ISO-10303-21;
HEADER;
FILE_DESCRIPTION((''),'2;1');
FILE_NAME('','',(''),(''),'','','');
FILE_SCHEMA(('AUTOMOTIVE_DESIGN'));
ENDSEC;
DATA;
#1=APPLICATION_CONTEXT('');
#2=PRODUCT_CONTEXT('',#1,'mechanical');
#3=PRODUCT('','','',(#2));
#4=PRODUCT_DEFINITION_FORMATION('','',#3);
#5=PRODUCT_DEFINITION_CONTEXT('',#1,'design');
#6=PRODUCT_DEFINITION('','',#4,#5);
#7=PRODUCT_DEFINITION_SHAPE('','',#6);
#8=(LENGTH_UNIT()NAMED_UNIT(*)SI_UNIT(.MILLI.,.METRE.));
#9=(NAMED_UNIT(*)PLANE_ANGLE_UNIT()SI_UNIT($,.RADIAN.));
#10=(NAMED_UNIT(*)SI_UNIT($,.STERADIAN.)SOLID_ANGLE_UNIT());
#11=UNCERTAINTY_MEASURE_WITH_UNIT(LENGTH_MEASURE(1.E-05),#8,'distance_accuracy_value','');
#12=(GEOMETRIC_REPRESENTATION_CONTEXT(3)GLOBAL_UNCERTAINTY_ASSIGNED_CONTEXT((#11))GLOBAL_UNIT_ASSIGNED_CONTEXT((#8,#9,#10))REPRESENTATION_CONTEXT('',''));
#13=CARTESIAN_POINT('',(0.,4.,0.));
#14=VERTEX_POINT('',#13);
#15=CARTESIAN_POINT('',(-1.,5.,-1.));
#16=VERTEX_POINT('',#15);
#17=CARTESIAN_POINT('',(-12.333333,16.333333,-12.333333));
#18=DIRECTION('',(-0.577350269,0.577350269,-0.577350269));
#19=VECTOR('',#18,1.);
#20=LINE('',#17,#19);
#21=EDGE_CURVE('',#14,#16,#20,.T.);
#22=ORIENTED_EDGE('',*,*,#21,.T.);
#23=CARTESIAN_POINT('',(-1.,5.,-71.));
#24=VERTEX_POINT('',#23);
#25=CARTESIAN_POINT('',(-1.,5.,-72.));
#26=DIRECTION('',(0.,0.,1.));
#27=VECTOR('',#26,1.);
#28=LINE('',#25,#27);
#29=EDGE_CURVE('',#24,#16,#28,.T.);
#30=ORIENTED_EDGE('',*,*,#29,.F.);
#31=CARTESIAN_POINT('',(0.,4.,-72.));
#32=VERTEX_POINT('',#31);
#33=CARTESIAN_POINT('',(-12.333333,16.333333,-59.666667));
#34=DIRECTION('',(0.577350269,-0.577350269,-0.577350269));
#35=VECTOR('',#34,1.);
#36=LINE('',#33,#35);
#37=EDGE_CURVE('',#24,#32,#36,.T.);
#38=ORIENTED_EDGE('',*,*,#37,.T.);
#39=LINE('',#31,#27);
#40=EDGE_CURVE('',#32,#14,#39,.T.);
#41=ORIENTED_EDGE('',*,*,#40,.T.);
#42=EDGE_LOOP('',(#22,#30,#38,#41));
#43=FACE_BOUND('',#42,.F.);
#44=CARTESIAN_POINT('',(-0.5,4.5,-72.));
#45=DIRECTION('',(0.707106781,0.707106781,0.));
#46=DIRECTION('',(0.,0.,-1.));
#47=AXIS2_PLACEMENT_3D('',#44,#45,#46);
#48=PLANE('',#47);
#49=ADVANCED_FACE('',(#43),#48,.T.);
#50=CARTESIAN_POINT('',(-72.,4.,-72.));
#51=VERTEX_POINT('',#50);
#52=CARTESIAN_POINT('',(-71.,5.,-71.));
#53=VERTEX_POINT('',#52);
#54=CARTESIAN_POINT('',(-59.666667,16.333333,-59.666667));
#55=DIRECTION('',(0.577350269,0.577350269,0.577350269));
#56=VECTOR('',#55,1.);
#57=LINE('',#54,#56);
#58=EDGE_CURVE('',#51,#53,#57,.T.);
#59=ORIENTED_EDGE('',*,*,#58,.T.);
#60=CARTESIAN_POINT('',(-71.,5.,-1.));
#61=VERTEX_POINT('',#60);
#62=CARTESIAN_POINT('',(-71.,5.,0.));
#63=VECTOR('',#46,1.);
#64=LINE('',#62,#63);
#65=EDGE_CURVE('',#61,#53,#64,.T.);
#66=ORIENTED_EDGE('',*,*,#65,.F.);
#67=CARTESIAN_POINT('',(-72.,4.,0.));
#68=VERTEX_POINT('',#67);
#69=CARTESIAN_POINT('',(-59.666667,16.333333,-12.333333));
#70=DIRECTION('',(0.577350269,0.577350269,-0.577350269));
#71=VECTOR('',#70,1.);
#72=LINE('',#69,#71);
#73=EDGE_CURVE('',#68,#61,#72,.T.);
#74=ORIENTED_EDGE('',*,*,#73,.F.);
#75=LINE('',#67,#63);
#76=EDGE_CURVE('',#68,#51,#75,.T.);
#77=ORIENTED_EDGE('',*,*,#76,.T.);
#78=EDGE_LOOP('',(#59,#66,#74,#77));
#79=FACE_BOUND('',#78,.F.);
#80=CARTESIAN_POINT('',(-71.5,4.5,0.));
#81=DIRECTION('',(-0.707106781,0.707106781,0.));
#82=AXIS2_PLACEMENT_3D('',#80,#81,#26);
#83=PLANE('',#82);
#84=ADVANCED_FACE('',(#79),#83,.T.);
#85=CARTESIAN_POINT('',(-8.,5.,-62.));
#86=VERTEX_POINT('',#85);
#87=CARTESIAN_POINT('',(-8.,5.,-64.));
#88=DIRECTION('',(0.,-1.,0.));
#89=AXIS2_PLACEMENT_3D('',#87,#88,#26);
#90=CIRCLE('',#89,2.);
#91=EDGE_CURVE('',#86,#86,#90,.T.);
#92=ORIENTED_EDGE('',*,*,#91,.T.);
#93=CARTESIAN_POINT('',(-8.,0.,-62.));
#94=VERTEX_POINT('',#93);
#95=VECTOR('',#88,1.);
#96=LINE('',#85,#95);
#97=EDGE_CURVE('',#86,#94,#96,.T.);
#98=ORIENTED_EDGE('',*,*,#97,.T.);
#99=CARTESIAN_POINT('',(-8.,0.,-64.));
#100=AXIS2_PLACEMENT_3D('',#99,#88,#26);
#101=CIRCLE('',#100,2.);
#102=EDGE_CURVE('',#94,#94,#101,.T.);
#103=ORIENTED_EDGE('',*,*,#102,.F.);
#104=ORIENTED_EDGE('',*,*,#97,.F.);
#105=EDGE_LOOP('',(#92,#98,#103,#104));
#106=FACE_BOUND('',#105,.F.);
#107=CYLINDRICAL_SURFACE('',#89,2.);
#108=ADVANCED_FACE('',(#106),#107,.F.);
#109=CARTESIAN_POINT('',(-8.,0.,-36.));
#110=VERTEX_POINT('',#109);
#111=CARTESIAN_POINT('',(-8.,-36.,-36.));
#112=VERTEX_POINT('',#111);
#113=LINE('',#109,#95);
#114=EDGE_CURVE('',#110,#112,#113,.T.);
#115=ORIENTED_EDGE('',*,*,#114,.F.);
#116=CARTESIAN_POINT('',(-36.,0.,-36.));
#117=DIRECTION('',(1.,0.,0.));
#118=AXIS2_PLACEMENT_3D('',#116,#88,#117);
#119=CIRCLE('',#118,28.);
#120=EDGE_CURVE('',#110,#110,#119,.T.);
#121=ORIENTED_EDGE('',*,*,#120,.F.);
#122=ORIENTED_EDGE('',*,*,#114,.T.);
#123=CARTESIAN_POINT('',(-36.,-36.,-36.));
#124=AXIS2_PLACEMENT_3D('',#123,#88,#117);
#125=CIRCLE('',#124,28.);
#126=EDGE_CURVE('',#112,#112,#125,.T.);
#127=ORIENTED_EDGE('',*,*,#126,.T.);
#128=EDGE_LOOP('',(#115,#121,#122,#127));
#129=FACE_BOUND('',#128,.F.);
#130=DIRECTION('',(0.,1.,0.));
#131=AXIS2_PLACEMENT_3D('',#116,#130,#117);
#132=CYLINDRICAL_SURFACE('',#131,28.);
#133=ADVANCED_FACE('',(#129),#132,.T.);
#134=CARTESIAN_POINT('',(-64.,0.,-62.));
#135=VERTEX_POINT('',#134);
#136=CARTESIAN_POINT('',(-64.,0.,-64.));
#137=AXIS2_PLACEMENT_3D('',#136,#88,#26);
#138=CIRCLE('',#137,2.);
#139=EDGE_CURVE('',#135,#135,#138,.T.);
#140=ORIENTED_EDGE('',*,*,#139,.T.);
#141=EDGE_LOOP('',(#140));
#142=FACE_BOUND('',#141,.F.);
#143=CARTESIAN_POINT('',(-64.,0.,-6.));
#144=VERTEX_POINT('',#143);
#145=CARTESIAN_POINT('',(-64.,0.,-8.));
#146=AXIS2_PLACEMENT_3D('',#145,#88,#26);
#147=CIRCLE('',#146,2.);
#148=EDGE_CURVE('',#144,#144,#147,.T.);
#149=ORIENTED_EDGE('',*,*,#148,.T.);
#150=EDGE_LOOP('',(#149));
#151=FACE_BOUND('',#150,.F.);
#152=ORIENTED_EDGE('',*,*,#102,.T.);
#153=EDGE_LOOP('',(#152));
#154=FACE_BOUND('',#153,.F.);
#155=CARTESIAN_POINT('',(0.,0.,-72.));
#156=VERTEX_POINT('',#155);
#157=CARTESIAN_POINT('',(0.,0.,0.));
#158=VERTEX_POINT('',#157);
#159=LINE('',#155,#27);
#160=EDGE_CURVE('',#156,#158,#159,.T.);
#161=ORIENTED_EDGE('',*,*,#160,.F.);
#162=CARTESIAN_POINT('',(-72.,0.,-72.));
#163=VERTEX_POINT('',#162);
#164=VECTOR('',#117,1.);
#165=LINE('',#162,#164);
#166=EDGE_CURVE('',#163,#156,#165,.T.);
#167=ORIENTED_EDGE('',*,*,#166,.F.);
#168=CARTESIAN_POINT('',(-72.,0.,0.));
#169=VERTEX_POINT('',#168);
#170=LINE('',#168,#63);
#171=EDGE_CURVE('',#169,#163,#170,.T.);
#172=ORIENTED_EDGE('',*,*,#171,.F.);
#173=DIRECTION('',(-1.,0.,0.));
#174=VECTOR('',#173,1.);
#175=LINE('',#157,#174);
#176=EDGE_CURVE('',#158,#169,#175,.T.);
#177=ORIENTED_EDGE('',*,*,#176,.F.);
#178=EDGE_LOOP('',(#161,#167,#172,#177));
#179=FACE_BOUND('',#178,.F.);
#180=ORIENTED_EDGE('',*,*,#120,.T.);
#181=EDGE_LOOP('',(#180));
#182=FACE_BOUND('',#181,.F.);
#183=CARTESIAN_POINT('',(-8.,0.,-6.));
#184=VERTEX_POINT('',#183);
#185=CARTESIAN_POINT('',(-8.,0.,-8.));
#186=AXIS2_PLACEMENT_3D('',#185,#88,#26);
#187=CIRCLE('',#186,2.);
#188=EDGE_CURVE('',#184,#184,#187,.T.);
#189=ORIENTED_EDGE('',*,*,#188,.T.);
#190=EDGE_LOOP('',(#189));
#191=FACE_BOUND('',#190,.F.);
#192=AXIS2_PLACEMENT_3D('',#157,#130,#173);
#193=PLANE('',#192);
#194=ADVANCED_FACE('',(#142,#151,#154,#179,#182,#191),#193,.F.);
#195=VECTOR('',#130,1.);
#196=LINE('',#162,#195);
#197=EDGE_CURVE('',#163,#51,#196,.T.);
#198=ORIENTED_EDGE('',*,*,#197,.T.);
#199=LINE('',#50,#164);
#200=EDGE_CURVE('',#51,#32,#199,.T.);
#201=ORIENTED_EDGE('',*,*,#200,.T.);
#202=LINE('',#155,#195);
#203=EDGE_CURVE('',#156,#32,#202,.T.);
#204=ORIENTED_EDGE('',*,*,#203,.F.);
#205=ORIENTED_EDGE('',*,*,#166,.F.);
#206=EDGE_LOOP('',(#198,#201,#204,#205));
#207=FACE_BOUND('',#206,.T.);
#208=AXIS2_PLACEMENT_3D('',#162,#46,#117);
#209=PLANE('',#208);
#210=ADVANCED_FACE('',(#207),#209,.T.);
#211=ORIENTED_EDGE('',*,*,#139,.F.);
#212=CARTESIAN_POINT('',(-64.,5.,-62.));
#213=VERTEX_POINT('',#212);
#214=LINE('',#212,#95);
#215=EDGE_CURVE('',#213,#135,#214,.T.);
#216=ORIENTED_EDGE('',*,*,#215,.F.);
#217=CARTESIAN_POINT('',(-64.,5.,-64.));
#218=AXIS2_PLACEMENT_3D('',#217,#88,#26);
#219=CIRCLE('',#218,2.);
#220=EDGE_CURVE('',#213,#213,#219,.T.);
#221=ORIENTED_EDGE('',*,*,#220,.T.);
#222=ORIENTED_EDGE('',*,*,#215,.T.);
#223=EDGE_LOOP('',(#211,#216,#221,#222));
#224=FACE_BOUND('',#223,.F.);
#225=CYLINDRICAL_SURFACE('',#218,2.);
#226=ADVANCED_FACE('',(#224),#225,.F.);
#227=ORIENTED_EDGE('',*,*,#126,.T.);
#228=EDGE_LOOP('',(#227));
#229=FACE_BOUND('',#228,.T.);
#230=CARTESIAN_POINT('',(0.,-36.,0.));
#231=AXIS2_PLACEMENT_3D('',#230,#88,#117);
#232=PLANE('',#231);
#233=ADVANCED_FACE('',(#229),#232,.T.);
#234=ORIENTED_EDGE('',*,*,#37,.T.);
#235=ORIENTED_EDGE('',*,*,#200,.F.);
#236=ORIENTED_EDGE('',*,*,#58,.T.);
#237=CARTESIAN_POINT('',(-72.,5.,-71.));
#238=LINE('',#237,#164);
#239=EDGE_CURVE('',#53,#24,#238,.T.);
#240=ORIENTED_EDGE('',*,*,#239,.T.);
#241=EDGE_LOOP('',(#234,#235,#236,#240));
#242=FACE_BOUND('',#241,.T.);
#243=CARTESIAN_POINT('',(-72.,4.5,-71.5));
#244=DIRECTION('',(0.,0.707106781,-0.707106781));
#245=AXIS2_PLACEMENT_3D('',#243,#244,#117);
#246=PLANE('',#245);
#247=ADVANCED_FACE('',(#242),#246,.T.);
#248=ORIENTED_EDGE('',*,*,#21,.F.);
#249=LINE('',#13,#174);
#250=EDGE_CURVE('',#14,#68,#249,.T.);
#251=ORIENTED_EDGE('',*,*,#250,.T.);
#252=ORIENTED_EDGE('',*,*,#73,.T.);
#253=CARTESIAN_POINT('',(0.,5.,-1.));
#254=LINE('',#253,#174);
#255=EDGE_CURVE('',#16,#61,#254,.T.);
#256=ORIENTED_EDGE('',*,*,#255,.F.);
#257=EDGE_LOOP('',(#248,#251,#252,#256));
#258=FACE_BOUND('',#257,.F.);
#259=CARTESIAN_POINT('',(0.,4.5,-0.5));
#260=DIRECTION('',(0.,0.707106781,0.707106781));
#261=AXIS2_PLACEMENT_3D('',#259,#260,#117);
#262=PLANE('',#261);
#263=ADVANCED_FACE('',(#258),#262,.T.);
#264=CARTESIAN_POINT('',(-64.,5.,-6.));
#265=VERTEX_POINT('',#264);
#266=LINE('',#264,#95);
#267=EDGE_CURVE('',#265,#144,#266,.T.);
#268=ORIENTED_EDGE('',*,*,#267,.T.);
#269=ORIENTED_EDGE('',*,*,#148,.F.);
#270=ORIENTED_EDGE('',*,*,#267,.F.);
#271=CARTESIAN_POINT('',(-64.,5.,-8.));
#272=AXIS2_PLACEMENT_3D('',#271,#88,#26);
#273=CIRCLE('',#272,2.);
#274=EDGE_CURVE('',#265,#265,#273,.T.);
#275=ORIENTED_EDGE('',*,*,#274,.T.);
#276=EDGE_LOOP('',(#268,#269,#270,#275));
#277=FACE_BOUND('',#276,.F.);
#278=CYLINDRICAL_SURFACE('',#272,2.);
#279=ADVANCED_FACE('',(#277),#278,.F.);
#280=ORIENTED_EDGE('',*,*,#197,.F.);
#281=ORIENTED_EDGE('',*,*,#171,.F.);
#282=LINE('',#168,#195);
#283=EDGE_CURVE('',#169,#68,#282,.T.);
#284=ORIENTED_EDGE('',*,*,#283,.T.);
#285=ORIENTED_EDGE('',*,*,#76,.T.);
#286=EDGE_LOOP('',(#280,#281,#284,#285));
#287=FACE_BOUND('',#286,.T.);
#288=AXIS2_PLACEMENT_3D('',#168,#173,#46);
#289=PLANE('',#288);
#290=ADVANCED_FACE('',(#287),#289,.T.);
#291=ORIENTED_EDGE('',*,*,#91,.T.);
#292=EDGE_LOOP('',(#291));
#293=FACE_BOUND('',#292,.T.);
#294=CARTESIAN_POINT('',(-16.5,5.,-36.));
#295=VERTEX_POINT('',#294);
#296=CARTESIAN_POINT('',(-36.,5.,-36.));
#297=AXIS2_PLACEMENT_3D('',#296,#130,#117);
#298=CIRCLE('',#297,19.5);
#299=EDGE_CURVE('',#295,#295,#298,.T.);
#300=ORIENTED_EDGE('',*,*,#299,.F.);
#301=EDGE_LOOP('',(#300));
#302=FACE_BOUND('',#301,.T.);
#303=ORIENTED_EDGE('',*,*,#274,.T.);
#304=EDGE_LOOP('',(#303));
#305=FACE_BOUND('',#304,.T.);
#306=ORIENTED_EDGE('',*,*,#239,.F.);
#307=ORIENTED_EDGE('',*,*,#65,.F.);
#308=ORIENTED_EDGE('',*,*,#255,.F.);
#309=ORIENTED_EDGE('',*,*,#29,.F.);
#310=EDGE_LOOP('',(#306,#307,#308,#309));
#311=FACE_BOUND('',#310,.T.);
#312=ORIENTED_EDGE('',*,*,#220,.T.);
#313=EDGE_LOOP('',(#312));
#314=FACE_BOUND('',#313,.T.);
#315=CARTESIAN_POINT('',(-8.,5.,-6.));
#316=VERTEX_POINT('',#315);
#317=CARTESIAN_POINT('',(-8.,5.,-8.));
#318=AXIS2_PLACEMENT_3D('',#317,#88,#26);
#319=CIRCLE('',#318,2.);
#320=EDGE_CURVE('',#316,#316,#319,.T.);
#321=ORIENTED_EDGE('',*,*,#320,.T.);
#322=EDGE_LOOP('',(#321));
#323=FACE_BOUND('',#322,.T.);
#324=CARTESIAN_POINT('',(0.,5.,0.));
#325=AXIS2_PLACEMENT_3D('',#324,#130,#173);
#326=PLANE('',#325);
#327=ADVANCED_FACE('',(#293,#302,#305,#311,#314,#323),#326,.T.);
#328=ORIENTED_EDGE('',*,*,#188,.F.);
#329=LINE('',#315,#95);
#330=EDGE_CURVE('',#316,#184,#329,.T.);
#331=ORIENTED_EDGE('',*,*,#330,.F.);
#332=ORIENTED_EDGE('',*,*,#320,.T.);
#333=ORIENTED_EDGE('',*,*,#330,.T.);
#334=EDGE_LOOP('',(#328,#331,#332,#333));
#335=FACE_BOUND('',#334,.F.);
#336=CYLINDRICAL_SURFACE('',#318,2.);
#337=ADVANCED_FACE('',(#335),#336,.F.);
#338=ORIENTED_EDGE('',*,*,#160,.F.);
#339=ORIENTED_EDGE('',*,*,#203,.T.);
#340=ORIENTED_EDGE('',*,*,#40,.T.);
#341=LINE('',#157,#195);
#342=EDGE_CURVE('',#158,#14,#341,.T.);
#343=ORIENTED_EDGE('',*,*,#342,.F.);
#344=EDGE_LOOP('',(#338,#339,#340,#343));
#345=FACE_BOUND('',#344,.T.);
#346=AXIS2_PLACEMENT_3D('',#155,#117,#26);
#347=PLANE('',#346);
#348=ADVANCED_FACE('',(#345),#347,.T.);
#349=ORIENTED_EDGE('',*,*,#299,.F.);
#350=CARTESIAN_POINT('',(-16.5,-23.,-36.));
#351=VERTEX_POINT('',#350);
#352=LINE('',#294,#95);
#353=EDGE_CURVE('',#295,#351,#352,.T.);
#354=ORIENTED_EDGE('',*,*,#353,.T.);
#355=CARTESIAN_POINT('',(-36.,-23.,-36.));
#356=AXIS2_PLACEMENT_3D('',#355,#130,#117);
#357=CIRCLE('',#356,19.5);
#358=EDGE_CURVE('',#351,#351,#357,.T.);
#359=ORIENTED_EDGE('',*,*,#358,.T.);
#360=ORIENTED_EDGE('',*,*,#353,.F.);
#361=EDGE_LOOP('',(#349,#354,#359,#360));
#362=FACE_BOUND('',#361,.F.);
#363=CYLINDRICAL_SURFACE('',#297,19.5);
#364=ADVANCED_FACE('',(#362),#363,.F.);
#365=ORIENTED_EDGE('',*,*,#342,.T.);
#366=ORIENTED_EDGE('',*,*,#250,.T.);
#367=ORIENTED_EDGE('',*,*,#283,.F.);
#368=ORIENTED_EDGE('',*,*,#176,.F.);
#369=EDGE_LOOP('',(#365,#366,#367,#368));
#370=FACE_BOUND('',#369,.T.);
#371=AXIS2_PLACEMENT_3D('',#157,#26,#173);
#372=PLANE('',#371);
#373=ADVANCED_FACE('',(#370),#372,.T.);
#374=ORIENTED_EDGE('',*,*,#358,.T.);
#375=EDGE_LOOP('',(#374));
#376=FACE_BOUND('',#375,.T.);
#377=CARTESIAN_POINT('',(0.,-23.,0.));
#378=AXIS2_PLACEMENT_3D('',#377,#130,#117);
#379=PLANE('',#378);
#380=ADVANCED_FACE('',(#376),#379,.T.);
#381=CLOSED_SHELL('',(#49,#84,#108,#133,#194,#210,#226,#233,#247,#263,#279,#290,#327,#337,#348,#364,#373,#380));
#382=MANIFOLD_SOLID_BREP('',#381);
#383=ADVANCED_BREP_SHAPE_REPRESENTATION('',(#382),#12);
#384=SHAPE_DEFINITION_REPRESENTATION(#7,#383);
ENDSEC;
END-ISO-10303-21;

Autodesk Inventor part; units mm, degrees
ref_plane "YZ Plane" through (0, 0, 0) normal (1, 0, 0) x (0, 1, 0)
ref_plane "XZ Plane" through (0, 0, 0) normal (0, 1, 0) x (-1, 0, 0)
ref_plane "XY Plane" through (0, 0, 0) normal (0, 0, 1) x (1, 0, 0)
sketch "Skizze1" plane through (0, 0, 0) normal (0, 1, 0) x (-1, 0, 0)
  line L0 (0, 0) -> (72, 0)
  line L1 (72, 0) -> (72, -72)
  line L2 (72, -72) -> (0, -72)
  line L3 (0, -72) -> (0, 0)
  dimension "d6" = 72
  dimension "STECKDOSE" = 72
extrude "Extrusion1" add sketch "Skizze1" along normal blind 5
sketch "Skizze2" plane through (0, 5, 0) normal (0, 1, 0) x (1, 0, 0)
  line L0 (-72, 72) -> (-72, 0) projected
  line L1 (0, 0) -> (0, 72) projected
  line L2 (-72, 0) -> (0, 0) projected
  point P0 (-8, 8)
  dimension "d23" = 8
  dimension "d24" = 8
hole "Bohrung1" at (-8, 5, -8) direction (0, -1, 0) diameter 4 end through all
pattern_linear "Rechteckige Anordnung1" count 2 spacing 56 along (-1, 0, 0) count 2 spacing 56 along (0, 0, -1) of "Bohrung1"
chamfer "Fasen1" distance 1 angle 45 4 edges at (-36, 5, 0) (-72, 5, -36) (-36, 5, -72) (0, 5, -36)
sketch "Skizze3" plane through (0, 0, 0) normal (0, -1, 0) x (1, 0, 0)
  circle A0 centre (-36, -36) radius 28
  line L0 (-72, 0) -> (0, 0) projected
  line L1 (-72, -72) -> (-72, 0) projected
  point P0 (-36, 0)
  point P1 (-72, -36)
  dimension "d28" = 56
extrude "Extrusion2" add sketch "Skizze3" along normal blind 36
sketch "Skizze4" plane through (0, 5, 0) normal (0, 1, 0) x (1, 0, 0)
  circle A0 centre (-36, 36) radius 19.5
  line L0 (0, 72) -> (-72, 72) projected
  line L1 (0, 0) -> (0, 72) projected
  point P0 (-36, 72)
  point P1 (0, 36)
  dimension "d31" = 39
extrude "Extrusion3" cut sketch "Skizze4" against normal blind 28
equation "\"d6\" = STECKDOSE"
properties part number "Steckdose" material "PC/ABS-Kunststoff"
